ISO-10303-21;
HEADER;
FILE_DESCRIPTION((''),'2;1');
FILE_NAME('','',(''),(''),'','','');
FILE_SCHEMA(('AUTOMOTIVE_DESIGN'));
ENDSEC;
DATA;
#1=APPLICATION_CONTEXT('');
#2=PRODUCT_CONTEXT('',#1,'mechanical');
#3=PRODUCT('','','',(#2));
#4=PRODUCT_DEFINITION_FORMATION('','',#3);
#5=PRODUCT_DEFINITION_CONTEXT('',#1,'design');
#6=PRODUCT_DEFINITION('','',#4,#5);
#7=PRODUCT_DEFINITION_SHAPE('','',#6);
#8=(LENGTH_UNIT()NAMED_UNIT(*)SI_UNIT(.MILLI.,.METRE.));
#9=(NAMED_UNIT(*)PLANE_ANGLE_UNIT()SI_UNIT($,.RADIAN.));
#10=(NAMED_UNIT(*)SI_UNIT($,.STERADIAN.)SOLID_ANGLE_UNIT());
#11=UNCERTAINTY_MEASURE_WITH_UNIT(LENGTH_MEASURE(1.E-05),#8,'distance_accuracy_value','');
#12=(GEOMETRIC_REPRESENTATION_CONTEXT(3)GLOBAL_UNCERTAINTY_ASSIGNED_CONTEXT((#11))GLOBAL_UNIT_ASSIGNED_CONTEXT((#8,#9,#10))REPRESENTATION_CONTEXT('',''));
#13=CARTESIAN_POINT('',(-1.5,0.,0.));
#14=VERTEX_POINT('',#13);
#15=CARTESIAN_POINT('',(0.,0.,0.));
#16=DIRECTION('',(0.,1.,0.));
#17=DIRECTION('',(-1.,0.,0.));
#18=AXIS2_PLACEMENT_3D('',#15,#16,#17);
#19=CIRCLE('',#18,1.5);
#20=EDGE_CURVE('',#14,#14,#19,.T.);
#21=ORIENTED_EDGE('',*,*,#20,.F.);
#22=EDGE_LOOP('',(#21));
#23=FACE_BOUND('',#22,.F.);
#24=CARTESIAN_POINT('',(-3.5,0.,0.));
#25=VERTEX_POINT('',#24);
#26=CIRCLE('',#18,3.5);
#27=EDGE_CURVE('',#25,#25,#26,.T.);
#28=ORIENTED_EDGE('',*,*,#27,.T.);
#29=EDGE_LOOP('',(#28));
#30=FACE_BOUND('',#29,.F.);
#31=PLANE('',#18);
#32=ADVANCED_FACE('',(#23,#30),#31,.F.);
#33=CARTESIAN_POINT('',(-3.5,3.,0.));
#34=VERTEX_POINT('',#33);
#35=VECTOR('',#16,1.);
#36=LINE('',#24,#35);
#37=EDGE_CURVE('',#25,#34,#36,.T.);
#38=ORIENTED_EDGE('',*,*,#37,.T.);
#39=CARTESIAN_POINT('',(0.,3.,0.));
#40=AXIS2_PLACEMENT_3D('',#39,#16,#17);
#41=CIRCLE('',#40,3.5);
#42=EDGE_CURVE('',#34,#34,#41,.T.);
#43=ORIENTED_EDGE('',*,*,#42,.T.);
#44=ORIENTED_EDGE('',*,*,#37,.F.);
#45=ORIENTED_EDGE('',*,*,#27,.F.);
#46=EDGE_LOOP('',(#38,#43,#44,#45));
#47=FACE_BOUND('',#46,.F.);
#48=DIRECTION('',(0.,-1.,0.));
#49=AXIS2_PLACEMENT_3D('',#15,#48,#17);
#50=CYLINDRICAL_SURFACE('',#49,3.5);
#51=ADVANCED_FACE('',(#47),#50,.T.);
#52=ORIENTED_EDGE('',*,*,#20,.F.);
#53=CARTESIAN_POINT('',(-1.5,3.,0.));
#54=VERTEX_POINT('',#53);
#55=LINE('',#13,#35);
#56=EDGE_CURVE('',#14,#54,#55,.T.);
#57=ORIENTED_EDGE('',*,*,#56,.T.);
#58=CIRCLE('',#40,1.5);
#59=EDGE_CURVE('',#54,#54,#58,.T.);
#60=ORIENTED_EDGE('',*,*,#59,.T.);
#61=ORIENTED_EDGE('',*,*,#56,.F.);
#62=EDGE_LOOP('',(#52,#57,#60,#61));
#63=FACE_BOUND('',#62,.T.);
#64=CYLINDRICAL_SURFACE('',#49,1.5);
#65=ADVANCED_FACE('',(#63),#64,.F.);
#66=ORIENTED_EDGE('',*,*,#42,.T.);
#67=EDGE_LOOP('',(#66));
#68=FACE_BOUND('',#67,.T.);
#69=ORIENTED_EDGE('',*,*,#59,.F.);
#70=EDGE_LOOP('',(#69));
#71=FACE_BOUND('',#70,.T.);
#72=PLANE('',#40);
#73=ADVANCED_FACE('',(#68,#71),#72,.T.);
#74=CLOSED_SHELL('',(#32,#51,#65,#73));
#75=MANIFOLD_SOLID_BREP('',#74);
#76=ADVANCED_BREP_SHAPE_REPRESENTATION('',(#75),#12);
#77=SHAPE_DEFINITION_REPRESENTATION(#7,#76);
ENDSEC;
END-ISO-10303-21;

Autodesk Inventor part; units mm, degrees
ref_plane "YZ Plane" through (0, 0, 0) normal (1, 0, 0) x (0, 1, 0)
ref_plane "XZ Plane" through (0, 0, 0) normal (0, 1, 0) x (-1, 0, 0)
ref_plane "XY Plane" through (0, 0, 0) normal (0, 0, 1) x (1, 0, 0)
sketch "Szkic1" plane through (0, 0, 0) normal (0, 1, 0) x (-1, 0, 0)
  circle A0 centre (0, 0) radius 3.5
  circle A1 centre (0, 0) radius 1.5
  dimension "d0" = 7
  dimension "d1" = 3
extrude "Wyciągnięcie proste1" add sketch "Szkic1" along normal blind 3
properties part number "bearing"
